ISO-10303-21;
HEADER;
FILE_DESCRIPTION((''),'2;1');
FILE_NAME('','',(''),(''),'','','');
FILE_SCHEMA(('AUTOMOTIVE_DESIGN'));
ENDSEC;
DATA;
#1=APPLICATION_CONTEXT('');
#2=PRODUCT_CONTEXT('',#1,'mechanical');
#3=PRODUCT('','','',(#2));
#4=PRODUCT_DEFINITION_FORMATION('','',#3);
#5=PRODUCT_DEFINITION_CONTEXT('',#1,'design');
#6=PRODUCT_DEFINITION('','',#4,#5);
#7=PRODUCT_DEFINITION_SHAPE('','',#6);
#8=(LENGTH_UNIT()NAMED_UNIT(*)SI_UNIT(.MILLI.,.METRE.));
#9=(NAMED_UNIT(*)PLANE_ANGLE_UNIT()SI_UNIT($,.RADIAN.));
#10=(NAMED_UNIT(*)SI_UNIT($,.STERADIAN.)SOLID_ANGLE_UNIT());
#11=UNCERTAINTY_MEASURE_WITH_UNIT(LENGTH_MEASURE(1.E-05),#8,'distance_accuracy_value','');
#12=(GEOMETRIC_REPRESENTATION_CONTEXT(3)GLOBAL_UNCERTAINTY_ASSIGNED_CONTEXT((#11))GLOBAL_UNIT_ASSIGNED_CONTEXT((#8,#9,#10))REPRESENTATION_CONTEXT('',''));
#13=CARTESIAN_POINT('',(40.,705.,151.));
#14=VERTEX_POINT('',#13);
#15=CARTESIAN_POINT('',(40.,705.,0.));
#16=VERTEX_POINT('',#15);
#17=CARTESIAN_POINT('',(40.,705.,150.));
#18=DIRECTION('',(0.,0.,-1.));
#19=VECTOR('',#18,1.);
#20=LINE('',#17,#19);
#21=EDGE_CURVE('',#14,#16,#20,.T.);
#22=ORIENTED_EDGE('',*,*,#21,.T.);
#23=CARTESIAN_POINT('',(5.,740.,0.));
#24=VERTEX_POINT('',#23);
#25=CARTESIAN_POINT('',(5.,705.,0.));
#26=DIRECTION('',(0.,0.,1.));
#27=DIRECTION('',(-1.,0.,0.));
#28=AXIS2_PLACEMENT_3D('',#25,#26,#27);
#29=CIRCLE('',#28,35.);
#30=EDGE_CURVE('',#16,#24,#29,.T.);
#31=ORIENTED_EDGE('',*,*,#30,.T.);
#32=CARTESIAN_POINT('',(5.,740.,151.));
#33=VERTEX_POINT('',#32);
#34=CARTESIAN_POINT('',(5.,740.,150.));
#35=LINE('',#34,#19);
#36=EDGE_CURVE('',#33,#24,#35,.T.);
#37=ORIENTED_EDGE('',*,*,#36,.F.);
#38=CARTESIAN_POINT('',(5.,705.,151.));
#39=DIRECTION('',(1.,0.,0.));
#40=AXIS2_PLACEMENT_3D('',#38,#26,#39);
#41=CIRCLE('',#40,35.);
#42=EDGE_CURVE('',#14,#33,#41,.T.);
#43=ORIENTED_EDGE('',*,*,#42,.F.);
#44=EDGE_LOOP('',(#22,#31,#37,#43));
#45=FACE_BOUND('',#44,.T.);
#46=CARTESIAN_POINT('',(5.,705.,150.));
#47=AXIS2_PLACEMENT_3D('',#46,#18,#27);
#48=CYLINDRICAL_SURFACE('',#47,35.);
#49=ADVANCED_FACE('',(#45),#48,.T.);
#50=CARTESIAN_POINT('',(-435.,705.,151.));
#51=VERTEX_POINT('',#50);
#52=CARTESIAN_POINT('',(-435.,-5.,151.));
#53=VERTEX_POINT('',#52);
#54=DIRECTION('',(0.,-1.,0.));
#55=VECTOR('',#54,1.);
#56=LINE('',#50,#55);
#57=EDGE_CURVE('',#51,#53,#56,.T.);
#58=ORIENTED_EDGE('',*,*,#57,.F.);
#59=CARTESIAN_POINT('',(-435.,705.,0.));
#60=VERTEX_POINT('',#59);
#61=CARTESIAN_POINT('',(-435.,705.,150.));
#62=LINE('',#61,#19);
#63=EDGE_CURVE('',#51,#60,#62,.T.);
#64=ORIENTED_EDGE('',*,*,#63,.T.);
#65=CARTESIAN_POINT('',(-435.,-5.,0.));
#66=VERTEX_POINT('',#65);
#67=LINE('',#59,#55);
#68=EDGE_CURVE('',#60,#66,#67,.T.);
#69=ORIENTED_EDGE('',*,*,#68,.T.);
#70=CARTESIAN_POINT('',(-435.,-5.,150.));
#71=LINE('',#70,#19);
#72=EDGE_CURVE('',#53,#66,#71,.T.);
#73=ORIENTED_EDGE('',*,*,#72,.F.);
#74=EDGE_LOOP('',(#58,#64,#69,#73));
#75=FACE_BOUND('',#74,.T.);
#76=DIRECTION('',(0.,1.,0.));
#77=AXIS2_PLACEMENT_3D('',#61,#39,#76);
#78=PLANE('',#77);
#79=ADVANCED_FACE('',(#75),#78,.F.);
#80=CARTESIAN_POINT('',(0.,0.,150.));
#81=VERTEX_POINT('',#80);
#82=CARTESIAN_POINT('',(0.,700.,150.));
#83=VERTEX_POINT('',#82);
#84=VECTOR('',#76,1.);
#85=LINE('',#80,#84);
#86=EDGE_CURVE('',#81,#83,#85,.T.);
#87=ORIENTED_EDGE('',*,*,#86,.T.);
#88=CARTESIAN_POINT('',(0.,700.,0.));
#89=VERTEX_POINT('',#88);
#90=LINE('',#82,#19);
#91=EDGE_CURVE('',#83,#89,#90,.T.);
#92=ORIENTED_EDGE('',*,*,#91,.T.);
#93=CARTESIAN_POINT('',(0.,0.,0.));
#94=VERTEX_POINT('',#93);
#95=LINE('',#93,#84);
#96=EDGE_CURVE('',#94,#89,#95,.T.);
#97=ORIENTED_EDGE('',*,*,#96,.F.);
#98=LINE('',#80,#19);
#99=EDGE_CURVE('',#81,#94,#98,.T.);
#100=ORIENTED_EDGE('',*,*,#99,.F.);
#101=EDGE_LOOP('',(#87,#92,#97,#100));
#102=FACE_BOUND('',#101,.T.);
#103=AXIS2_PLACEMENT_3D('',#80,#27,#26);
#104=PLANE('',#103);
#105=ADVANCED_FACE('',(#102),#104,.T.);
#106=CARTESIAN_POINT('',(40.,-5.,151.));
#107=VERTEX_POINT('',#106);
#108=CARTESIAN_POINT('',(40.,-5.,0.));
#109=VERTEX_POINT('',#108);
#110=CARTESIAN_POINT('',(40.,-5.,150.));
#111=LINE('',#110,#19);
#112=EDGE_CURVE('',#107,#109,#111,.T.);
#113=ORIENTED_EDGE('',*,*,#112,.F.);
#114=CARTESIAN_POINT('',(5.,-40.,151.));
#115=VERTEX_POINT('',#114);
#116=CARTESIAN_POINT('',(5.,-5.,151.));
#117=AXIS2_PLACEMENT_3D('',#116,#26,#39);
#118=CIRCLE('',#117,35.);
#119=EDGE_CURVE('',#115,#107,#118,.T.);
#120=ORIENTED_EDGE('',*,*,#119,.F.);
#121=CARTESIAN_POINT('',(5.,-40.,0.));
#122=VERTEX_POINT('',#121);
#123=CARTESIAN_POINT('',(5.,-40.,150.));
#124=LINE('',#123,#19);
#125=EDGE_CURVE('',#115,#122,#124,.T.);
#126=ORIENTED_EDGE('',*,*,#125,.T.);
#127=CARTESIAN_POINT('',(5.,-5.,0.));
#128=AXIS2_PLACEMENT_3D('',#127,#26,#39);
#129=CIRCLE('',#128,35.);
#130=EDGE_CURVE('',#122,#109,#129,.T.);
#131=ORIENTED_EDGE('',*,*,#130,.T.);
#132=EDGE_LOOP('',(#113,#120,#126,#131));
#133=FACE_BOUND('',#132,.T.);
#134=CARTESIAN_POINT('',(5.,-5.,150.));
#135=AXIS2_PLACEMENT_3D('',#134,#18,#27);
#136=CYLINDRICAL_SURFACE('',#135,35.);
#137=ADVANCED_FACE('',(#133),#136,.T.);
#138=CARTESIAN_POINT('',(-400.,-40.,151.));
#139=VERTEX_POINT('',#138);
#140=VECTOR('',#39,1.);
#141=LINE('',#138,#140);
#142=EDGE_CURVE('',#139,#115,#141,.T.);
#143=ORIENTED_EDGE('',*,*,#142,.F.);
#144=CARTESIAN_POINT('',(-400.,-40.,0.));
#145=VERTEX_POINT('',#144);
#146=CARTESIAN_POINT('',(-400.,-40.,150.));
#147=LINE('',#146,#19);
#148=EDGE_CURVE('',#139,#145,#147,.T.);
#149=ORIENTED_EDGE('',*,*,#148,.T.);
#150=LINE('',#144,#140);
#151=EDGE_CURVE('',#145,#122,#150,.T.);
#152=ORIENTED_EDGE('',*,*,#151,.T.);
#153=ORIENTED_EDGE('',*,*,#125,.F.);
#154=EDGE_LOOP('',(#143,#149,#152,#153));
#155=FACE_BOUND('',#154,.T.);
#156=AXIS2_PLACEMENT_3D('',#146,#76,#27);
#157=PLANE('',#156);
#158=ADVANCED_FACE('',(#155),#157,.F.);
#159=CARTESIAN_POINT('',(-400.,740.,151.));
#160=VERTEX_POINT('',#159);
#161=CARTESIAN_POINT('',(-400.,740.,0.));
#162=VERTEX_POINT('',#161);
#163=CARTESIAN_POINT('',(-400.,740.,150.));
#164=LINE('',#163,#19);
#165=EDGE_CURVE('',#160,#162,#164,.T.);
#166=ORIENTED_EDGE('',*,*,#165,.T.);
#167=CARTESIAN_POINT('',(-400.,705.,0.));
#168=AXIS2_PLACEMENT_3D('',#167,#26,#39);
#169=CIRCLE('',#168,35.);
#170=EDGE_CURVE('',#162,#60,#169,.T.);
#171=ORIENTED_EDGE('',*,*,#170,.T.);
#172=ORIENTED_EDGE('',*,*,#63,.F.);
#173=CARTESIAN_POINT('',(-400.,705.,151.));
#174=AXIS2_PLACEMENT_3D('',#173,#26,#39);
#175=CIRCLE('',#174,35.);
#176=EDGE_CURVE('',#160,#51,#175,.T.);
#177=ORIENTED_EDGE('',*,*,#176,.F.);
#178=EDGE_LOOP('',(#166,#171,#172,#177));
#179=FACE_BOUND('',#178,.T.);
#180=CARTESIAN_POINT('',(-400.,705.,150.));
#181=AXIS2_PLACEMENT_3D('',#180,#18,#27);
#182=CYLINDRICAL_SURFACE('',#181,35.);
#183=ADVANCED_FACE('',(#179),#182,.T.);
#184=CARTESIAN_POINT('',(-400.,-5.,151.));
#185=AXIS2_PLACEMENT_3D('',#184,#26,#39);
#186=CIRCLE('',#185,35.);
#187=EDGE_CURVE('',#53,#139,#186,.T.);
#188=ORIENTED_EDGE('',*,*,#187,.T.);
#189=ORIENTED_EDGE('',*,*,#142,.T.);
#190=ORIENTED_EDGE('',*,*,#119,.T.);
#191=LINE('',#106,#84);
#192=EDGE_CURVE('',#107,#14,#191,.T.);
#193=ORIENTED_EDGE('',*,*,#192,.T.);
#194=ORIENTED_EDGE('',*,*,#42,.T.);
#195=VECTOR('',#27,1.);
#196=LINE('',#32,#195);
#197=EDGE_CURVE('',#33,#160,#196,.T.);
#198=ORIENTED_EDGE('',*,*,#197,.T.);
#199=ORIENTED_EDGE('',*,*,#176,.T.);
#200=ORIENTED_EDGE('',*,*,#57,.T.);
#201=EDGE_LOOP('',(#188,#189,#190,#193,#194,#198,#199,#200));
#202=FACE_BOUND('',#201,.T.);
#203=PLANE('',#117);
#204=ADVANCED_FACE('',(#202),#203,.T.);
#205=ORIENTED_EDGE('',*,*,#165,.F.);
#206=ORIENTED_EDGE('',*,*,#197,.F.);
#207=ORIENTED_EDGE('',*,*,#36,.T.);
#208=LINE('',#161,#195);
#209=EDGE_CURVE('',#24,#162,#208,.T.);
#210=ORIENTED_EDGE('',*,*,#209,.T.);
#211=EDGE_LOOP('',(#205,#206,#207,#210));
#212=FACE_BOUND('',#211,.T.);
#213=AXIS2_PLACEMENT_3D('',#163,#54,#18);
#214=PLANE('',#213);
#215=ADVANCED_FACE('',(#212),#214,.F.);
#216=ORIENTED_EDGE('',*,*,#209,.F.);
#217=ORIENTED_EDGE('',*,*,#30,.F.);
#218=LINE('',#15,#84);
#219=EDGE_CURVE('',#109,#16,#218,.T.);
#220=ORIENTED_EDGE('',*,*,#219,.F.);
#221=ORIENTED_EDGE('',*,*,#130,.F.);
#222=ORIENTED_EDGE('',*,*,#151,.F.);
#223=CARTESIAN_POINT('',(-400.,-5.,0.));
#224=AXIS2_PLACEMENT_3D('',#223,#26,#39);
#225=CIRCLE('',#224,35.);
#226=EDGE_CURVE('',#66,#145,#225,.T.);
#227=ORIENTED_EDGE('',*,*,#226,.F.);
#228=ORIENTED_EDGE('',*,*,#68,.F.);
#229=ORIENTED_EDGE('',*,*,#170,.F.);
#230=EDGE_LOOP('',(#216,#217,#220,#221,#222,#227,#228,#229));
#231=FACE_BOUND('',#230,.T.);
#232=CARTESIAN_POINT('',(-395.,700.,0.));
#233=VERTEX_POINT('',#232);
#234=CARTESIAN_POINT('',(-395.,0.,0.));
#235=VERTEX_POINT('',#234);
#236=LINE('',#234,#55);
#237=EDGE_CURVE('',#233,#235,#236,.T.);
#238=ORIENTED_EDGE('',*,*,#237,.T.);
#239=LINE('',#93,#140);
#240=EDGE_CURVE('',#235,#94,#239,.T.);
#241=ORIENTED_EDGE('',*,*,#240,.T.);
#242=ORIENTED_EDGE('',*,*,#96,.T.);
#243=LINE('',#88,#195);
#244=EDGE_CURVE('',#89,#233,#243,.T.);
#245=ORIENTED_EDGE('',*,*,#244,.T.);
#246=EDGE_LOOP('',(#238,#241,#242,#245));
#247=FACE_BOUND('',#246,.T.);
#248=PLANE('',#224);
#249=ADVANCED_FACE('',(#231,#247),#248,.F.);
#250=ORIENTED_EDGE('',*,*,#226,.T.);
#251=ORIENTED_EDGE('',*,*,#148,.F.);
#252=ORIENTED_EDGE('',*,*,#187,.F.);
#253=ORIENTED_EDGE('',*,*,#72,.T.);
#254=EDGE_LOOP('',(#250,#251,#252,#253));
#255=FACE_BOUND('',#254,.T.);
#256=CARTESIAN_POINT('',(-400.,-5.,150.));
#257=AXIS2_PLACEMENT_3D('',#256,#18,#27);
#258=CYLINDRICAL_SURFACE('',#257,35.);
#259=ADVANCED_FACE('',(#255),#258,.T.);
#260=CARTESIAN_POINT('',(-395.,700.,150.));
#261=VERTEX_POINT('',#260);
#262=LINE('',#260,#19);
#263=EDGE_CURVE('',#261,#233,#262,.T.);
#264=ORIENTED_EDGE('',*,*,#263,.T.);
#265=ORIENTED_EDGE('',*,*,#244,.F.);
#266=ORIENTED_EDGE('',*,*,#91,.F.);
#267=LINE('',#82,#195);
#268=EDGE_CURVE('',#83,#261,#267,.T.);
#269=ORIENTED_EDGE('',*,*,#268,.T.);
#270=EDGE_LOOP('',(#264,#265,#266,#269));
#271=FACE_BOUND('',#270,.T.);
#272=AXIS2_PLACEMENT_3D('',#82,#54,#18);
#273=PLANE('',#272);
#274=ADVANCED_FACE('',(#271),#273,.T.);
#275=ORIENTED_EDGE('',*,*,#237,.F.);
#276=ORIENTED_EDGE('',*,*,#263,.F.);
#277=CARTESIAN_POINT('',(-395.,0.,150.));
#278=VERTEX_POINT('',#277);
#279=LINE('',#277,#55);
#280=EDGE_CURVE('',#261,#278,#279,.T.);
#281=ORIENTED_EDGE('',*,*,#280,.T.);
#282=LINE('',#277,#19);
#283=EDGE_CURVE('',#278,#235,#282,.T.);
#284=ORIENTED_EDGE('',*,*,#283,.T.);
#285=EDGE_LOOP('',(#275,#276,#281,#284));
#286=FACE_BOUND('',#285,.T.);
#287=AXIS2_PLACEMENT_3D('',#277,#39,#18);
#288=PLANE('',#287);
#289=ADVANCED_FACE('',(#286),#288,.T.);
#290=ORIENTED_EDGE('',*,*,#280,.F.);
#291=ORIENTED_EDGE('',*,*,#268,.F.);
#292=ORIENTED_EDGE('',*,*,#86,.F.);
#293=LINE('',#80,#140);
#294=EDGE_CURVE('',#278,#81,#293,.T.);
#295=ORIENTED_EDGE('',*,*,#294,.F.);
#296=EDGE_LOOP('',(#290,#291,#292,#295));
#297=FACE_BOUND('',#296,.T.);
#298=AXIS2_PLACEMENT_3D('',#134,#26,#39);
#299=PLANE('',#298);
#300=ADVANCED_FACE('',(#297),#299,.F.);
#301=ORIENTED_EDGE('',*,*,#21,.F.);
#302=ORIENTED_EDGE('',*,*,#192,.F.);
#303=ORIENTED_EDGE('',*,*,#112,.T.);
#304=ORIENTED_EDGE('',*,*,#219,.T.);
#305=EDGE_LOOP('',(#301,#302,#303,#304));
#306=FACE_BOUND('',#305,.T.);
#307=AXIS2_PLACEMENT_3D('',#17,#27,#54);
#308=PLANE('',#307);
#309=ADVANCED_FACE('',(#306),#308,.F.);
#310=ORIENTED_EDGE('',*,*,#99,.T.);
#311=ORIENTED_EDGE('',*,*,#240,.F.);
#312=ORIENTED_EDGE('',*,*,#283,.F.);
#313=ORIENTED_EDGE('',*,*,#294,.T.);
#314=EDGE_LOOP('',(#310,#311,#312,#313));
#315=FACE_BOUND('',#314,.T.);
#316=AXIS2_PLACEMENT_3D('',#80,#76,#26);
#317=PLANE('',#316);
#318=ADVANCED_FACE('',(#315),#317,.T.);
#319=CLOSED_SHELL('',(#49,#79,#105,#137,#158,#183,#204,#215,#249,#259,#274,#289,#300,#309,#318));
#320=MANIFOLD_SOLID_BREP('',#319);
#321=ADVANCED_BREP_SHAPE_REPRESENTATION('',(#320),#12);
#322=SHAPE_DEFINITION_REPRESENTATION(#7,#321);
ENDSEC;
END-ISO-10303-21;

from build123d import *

# Parameters (mm, degrees)
SKETCH1_W           = 395
SKETCH1_H           = 700
BOSS_EXTRUDE1_DEPTH = 150
BOSS_EXTRUDE2_DEPTH = 1


with BuildPart() as part:
    # Sketch1 → Boss-Extrude1 (new body)
    with BuildSketch(Plane.XY):
        with BuildLine():
            Line((-400, 740), (5, 740))
            ThreePointArc((5, 740), (29.748737342, 729.748737342), (40, 705))
            Line((40, 705), (40, -5))
            ThreePointArc((40, -5), (29.748737342, -29.748737342), (5, -40))
            Line((5, -40), (-400, -40))
            ThreePointArc((-400, -40), (-424.748737342, -29.748737342), (-435, -5))
            Line((-435, -5), (-435, 705))
            ThreePointArc((-435, 705), (-424.748737342, 729.748737342), (-400, 740))
        make_face()
        with Locations((-197.5, 350)):
            Rectangle(SKETCH1_W, SKETCH1_H, mode=Mode.SUBTRACT)
    extrude(amount=BOSS_EXTRUDE1_DEPTH)

    # Sketch2 → Boss-Extrude2 (add)
    with BuildSketch(Plane.XY.offset(150)):
        with BuildLine():
            Line((-400, -40), (5, -40))
            ThreePointArc((5, -40), (29.748737342, -29.748737342), (40, -5))
            Line((40, -5), (40, 705))
            ThreePointArc((40, 705), (29.748737342, 729.748737342), (5, 740))
            Line((5, 740), (-400, 740))
            ThreePointArc((-400, 740), (-424.748737342, 729.748737342), (-435, 705))
            Line((-435, 705), (-435, -5))
            ThreePointArc((-435, -5), (-424.748737342, -29.748737342), (-400, -40))
        make_face()
    extrude(amount=BOSS_EXTRUDE2_DEPTH)


solid = part.part
